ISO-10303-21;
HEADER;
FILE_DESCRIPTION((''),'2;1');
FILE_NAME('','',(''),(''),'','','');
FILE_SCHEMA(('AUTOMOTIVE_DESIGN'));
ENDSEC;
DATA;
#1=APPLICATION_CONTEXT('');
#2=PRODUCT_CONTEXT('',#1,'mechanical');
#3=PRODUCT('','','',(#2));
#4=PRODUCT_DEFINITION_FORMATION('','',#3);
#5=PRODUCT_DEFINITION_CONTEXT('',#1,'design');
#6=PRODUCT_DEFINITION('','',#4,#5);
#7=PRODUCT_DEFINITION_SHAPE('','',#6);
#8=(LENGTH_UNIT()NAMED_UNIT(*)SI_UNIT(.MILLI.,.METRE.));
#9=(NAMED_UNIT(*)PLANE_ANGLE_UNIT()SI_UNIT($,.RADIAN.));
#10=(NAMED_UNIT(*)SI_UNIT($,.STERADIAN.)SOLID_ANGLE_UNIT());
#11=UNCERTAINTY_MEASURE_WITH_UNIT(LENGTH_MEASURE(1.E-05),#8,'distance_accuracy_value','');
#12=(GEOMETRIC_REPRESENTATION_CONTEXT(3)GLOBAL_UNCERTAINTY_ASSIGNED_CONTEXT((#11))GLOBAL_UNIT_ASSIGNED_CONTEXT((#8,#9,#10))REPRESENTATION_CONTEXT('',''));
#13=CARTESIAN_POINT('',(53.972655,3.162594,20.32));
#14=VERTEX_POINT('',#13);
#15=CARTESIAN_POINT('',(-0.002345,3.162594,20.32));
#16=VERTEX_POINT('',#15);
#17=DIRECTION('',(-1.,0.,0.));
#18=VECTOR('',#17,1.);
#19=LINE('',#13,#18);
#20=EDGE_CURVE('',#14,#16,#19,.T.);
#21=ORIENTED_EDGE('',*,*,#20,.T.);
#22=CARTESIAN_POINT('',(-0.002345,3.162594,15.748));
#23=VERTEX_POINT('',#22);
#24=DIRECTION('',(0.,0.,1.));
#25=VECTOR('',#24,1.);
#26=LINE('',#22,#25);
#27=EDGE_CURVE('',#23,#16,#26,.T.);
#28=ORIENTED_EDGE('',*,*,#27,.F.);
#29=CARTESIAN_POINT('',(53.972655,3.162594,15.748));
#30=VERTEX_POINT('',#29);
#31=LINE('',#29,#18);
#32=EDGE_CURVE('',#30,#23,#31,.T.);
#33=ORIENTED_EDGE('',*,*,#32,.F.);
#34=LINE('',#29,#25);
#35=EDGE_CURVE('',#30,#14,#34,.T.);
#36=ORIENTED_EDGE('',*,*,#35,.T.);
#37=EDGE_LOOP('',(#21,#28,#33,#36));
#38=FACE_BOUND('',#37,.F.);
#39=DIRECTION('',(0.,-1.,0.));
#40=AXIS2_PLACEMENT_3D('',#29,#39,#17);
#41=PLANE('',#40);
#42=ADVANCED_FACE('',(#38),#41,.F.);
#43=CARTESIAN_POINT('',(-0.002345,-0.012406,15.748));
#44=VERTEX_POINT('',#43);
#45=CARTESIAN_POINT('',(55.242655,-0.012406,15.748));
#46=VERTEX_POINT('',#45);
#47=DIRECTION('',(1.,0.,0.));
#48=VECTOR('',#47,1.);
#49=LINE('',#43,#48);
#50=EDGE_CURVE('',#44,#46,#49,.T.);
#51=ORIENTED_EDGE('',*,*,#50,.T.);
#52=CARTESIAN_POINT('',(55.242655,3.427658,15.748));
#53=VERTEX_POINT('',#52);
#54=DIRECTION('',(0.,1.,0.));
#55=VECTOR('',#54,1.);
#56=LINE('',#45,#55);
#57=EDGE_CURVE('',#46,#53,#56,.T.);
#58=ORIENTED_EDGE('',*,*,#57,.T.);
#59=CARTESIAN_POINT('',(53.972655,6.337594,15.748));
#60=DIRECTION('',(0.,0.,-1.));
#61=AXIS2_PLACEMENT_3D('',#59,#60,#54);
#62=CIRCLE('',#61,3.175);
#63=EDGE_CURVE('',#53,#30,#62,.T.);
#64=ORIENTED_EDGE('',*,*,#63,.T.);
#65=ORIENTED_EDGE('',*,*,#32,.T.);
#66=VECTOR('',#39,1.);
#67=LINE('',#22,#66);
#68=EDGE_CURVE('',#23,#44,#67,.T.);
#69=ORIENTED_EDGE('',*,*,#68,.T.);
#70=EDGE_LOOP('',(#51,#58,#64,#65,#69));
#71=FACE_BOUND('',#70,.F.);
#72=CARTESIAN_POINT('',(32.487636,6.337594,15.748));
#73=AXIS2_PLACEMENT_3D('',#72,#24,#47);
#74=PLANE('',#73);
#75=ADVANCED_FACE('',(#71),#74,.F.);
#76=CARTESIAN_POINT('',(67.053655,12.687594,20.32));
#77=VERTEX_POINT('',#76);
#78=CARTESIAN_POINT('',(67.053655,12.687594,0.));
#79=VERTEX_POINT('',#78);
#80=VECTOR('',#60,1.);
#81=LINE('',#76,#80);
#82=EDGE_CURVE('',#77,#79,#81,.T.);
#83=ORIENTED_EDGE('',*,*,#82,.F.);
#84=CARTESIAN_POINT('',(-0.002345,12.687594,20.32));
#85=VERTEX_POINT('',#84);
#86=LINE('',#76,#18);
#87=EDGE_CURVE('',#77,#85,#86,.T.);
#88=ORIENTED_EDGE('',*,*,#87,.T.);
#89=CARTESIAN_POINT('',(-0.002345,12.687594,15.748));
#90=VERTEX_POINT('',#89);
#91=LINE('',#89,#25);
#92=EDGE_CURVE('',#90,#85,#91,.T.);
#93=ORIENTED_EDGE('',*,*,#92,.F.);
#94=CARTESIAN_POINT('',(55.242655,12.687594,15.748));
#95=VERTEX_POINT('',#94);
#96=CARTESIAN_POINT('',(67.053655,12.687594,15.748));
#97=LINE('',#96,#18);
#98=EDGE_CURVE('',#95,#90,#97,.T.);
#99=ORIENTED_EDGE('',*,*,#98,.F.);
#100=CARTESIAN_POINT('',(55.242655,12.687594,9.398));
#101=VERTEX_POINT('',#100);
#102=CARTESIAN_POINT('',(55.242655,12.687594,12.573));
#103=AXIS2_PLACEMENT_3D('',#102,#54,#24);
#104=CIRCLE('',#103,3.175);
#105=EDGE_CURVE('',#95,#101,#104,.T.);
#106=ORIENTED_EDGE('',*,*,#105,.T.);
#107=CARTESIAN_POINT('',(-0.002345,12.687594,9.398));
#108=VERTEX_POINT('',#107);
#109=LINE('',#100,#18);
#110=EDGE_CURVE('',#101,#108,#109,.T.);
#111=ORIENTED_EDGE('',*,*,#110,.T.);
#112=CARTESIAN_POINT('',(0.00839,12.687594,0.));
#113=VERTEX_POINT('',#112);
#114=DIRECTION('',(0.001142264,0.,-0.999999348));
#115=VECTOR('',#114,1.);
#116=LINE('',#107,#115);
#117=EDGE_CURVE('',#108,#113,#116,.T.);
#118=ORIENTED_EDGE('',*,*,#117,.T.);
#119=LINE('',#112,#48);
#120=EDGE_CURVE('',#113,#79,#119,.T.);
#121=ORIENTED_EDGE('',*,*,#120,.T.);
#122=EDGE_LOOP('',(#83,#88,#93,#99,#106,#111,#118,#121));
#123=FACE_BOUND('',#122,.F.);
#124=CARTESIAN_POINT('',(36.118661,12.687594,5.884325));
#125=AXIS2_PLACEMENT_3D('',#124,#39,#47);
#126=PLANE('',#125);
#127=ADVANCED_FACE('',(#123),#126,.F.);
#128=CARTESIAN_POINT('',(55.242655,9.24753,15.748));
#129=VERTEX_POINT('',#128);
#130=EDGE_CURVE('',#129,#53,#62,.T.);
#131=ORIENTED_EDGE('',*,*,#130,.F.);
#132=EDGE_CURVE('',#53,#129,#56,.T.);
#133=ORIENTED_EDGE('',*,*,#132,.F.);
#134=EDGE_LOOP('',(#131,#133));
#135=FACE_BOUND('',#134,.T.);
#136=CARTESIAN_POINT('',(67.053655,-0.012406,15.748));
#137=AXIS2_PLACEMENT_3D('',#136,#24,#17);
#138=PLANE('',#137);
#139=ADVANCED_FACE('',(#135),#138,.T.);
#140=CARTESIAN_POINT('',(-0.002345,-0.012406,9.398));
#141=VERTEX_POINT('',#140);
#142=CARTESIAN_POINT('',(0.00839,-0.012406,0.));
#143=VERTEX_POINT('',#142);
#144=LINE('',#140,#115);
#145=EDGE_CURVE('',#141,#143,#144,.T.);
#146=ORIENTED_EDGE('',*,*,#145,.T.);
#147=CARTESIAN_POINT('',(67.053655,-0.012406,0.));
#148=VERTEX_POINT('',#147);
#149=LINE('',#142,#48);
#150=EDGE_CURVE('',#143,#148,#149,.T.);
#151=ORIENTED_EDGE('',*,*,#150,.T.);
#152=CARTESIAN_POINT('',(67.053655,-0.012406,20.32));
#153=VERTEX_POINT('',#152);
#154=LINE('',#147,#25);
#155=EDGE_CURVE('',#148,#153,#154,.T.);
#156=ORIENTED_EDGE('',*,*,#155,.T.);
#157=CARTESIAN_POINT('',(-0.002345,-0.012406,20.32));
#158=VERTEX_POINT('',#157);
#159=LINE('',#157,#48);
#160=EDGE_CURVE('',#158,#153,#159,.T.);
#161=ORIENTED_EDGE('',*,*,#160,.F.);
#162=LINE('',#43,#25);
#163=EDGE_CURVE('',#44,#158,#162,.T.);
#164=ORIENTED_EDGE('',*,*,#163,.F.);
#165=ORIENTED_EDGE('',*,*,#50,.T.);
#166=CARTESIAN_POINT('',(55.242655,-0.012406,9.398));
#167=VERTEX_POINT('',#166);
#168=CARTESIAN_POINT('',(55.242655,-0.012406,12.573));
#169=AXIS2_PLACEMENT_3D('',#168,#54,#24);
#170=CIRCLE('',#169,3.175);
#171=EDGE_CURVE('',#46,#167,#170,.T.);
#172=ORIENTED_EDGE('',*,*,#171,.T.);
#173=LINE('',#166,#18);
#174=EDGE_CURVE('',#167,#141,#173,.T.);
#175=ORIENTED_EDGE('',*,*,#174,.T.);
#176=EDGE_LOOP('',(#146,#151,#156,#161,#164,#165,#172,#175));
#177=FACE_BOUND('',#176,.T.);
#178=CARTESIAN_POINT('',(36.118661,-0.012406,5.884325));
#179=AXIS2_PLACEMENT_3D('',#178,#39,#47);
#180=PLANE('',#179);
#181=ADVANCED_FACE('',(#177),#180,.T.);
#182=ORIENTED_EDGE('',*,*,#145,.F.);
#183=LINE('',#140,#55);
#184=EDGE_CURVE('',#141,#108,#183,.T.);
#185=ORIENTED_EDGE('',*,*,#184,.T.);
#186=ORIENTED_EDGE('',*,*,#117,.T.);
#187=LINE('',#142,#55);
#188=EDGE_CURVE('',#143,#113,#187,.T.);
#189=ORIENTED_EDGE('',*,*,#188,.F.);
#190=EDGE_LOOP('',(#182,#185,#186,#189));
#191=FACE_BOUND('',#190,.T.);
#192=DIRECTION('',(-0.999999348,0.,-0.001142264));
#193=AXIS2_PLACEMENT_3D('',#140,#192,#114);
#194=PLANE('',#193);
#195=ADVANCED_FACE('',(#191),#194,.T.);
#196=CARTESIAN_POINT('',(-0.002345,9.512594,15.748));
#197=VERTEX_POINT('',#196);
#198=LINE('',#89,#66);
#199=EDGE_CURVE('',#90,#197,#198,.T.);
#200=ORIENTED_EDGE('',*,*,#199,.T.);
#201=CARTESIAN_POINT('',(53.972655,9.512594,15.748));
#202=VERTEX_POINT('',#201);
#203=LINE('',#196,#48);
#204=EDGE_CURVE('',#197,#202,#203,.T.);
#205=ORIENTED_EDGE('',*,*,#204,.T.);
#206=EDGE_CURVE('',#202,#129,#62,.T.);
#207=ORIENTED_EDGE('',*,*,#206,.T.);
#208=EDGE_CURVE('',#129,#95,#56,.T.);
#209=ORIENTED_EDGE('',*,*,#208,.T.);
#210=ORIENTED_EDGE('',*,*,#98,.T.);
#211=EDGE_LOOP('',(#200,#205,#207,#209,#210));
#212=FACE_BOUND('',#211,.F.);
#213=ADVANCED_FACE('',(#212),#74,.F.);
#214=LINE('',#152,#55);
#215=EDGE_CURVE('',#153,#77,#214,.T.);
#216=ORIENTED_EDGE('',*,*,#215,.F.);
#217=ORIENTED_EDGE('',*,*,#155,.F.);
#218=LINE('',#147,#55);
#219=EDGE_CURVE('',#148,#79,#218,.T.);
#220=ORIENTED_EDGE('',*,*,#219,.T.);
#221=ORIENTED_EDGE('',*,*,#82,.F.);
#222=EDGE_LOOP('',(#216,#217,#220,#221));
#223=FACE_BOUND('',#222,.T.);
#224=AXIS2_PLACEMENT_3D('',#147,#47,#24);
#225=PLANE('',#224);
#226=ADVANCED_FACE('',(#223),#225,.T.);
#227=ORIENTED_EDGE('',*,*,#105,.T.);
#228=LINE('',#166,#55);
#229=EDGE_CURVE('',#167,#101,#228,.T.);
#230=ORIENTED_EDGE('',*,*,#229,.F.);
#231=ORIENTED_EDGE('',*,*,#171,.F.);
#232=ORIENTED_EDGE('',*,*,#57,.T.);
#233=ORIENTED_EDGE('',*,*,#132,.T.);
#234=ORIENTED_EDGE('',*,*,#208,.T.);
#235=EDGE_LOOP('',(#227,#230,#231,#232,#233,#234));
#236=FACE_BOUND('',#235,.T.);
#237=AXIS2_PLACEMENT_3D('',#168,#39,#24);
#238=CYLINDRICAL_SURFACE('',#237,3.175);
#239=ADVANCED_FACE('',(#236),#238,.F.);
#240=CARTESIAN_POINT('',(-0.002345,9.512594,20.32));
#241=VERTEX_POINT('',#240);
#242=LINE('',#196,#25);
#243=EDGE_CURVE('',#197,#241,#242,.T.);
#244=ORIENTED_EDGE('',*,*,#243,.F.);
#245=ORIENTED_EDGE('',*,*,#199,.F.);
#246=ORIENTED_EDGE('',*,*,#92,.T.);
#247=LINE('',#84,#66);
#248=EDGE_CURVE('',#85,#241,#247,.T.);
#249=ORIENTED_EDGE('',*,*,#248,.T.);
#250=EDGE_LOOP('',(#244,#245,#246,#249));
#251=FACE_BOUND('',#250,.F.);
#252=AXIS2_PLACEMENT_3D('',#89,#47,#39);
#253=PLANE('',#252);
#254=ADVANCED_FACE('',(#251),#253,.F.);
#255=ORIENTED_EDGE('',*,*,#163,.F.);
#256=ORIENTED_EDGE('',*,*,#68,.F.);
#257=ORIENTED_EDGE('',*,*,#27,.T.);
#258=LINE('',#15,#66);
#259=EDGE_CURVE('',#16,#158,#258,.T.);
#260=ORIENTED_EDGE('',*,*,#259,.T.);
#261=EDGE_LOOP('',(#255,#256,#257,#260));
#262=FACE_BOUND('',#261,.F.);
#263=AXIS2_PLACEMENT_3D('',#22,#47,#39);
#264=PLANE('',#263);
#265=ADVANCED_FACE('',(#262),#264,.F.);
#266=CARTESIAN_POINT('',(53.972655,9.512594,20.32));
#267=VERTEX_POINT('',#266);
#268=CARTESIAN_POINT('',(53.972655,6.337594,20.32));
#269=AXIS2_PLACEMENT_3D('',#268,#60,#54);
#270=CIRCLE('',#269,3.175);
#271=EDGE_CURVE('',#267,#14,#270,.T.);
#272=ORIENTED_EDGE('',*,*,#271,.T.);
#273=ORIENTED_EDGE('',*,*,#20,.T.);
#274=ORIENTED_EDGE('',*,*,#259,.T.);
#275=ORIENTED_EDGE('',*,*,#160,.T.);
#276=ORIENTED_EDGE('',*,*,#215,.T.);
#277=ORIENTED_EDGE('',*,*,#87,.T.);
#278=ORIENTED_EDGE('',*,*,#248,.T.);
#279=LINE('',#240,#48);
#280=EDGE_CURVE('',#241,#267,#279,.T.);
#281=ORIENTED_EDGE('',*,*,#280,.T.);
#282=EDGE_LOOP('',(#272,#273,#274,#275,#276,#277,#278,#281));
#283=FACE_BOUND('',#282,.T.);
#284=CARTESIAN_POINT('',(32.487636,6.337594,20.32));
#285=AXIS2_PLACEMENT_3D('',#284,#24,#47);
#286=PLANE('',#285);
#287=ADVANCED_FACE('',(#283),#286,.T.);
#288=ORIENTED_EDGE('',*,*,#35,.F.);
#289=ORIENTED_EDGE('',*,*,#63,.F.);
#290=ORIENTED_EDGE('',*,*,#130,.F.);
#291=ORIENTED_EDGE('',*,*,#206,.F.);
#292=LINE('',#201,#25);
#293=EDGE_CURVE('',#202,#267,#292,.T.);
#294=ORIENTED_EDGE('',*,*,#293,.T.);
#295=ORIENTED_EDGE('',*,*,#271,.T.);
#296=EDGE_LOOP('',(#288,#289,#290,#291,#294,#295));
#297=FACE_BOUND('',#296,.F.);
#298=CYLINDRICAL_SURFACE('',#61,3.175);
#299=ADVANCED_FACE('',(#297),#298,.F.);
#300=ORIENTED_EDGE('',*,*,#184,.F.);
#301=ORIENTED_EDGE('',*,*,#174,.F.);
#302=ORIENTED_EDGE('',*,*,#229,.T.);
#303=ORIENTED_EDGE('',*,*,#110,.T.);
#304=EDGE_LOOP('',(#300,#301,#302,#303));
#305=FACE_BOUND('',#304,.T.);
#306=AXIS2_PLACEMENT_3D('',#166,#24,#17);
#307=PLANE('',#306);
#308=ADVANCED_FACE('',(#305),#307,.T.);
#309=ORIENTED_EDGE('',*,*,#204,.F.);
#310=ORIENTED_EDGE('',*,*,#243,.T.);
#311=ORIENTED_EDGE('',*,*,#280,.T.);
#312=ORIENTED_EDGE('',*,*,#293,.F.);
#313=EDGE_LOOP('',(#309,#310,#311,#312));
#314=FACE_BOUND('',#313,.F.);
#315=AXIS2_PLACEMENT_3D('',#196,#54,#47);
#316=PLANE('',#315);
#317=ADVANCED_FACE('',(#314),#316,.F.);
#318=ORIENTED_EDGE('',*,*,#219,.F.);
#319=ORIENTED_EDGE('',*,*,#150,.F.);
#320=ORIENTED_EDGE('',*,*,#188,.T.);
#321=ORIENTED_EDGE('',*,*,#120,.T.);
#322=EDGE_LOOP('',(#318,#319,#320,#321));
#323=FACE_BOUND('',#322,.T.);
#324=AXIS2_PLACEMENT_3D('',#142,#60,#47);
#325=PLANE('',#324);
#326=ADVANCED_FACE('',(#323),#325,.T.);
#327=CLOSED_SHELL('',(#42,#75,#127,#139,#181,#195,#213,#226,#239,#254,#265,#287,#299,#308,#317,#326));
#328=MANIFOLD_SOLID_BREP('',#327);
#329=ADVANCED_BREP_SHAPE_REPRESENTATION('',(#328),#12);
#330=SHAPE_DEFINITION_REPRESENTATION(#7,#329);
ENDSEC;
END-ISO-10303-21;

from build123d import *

# Parameters (mm, degrees)
F1_DEPTH = 4.572
F3_DEPTH = 12.7


with BuildPart() as f1:
    # F0 (on Top) → F1 (new body)
    with BuildSketch(Plane.XY):
        with BuildLine():
            Line((24.051455, 5.270794), (-43.004545, 5.270794))
            Line((-43.004545, 5.270794), (-43.004545, 2.095794))
            Line((-43.004545, 2.095794), (10.970455, 2.095794))
            ThreePointArc((10.970455, 2.095794), (14.145455, -1.079206), (10.970455, -4.254206))
            Line((10.970455, -4.254206), (-43.004545, -4.254206))
            Line((-43.004545, -4.254206), (-43.004545, -7.429206))
            Line((-43.004545, -7.429206), (24.051455, -7.429206))
            Line((24.051455, -7.429206), (24.051455, 5.270794))
        make_face()
    extrude(amount=F1_DEPTH)

    # F2 (on face) → F3 (join)
    with BuildSketch(Plane.XZ.offset(7.429206)):
        with BuildLine():
            Line((24.051455, 0), (12.240455, 0))
            ThreePointArc((12.240455, 0), (15.415455, -3.175), (12.240455, -6.35))
            Line((12.240455, -6.35), (-43.004545, -6.35))
            Line((-43.004545, -6.35), (-42.99381, -15.748))
            Line((-42.99381, -15.748), (24.051455, -15.748))
            Line((24.051455, -15.748), (24.051455, 0))
        make_face()
    extrude(amount=-F3_DEPTH)


with BuildPart() as f1_1:
    # F4: moved
    add(f1.part.moved(Location((43.0022, 7.4168, 15.748))))


solid = f1_1.part
